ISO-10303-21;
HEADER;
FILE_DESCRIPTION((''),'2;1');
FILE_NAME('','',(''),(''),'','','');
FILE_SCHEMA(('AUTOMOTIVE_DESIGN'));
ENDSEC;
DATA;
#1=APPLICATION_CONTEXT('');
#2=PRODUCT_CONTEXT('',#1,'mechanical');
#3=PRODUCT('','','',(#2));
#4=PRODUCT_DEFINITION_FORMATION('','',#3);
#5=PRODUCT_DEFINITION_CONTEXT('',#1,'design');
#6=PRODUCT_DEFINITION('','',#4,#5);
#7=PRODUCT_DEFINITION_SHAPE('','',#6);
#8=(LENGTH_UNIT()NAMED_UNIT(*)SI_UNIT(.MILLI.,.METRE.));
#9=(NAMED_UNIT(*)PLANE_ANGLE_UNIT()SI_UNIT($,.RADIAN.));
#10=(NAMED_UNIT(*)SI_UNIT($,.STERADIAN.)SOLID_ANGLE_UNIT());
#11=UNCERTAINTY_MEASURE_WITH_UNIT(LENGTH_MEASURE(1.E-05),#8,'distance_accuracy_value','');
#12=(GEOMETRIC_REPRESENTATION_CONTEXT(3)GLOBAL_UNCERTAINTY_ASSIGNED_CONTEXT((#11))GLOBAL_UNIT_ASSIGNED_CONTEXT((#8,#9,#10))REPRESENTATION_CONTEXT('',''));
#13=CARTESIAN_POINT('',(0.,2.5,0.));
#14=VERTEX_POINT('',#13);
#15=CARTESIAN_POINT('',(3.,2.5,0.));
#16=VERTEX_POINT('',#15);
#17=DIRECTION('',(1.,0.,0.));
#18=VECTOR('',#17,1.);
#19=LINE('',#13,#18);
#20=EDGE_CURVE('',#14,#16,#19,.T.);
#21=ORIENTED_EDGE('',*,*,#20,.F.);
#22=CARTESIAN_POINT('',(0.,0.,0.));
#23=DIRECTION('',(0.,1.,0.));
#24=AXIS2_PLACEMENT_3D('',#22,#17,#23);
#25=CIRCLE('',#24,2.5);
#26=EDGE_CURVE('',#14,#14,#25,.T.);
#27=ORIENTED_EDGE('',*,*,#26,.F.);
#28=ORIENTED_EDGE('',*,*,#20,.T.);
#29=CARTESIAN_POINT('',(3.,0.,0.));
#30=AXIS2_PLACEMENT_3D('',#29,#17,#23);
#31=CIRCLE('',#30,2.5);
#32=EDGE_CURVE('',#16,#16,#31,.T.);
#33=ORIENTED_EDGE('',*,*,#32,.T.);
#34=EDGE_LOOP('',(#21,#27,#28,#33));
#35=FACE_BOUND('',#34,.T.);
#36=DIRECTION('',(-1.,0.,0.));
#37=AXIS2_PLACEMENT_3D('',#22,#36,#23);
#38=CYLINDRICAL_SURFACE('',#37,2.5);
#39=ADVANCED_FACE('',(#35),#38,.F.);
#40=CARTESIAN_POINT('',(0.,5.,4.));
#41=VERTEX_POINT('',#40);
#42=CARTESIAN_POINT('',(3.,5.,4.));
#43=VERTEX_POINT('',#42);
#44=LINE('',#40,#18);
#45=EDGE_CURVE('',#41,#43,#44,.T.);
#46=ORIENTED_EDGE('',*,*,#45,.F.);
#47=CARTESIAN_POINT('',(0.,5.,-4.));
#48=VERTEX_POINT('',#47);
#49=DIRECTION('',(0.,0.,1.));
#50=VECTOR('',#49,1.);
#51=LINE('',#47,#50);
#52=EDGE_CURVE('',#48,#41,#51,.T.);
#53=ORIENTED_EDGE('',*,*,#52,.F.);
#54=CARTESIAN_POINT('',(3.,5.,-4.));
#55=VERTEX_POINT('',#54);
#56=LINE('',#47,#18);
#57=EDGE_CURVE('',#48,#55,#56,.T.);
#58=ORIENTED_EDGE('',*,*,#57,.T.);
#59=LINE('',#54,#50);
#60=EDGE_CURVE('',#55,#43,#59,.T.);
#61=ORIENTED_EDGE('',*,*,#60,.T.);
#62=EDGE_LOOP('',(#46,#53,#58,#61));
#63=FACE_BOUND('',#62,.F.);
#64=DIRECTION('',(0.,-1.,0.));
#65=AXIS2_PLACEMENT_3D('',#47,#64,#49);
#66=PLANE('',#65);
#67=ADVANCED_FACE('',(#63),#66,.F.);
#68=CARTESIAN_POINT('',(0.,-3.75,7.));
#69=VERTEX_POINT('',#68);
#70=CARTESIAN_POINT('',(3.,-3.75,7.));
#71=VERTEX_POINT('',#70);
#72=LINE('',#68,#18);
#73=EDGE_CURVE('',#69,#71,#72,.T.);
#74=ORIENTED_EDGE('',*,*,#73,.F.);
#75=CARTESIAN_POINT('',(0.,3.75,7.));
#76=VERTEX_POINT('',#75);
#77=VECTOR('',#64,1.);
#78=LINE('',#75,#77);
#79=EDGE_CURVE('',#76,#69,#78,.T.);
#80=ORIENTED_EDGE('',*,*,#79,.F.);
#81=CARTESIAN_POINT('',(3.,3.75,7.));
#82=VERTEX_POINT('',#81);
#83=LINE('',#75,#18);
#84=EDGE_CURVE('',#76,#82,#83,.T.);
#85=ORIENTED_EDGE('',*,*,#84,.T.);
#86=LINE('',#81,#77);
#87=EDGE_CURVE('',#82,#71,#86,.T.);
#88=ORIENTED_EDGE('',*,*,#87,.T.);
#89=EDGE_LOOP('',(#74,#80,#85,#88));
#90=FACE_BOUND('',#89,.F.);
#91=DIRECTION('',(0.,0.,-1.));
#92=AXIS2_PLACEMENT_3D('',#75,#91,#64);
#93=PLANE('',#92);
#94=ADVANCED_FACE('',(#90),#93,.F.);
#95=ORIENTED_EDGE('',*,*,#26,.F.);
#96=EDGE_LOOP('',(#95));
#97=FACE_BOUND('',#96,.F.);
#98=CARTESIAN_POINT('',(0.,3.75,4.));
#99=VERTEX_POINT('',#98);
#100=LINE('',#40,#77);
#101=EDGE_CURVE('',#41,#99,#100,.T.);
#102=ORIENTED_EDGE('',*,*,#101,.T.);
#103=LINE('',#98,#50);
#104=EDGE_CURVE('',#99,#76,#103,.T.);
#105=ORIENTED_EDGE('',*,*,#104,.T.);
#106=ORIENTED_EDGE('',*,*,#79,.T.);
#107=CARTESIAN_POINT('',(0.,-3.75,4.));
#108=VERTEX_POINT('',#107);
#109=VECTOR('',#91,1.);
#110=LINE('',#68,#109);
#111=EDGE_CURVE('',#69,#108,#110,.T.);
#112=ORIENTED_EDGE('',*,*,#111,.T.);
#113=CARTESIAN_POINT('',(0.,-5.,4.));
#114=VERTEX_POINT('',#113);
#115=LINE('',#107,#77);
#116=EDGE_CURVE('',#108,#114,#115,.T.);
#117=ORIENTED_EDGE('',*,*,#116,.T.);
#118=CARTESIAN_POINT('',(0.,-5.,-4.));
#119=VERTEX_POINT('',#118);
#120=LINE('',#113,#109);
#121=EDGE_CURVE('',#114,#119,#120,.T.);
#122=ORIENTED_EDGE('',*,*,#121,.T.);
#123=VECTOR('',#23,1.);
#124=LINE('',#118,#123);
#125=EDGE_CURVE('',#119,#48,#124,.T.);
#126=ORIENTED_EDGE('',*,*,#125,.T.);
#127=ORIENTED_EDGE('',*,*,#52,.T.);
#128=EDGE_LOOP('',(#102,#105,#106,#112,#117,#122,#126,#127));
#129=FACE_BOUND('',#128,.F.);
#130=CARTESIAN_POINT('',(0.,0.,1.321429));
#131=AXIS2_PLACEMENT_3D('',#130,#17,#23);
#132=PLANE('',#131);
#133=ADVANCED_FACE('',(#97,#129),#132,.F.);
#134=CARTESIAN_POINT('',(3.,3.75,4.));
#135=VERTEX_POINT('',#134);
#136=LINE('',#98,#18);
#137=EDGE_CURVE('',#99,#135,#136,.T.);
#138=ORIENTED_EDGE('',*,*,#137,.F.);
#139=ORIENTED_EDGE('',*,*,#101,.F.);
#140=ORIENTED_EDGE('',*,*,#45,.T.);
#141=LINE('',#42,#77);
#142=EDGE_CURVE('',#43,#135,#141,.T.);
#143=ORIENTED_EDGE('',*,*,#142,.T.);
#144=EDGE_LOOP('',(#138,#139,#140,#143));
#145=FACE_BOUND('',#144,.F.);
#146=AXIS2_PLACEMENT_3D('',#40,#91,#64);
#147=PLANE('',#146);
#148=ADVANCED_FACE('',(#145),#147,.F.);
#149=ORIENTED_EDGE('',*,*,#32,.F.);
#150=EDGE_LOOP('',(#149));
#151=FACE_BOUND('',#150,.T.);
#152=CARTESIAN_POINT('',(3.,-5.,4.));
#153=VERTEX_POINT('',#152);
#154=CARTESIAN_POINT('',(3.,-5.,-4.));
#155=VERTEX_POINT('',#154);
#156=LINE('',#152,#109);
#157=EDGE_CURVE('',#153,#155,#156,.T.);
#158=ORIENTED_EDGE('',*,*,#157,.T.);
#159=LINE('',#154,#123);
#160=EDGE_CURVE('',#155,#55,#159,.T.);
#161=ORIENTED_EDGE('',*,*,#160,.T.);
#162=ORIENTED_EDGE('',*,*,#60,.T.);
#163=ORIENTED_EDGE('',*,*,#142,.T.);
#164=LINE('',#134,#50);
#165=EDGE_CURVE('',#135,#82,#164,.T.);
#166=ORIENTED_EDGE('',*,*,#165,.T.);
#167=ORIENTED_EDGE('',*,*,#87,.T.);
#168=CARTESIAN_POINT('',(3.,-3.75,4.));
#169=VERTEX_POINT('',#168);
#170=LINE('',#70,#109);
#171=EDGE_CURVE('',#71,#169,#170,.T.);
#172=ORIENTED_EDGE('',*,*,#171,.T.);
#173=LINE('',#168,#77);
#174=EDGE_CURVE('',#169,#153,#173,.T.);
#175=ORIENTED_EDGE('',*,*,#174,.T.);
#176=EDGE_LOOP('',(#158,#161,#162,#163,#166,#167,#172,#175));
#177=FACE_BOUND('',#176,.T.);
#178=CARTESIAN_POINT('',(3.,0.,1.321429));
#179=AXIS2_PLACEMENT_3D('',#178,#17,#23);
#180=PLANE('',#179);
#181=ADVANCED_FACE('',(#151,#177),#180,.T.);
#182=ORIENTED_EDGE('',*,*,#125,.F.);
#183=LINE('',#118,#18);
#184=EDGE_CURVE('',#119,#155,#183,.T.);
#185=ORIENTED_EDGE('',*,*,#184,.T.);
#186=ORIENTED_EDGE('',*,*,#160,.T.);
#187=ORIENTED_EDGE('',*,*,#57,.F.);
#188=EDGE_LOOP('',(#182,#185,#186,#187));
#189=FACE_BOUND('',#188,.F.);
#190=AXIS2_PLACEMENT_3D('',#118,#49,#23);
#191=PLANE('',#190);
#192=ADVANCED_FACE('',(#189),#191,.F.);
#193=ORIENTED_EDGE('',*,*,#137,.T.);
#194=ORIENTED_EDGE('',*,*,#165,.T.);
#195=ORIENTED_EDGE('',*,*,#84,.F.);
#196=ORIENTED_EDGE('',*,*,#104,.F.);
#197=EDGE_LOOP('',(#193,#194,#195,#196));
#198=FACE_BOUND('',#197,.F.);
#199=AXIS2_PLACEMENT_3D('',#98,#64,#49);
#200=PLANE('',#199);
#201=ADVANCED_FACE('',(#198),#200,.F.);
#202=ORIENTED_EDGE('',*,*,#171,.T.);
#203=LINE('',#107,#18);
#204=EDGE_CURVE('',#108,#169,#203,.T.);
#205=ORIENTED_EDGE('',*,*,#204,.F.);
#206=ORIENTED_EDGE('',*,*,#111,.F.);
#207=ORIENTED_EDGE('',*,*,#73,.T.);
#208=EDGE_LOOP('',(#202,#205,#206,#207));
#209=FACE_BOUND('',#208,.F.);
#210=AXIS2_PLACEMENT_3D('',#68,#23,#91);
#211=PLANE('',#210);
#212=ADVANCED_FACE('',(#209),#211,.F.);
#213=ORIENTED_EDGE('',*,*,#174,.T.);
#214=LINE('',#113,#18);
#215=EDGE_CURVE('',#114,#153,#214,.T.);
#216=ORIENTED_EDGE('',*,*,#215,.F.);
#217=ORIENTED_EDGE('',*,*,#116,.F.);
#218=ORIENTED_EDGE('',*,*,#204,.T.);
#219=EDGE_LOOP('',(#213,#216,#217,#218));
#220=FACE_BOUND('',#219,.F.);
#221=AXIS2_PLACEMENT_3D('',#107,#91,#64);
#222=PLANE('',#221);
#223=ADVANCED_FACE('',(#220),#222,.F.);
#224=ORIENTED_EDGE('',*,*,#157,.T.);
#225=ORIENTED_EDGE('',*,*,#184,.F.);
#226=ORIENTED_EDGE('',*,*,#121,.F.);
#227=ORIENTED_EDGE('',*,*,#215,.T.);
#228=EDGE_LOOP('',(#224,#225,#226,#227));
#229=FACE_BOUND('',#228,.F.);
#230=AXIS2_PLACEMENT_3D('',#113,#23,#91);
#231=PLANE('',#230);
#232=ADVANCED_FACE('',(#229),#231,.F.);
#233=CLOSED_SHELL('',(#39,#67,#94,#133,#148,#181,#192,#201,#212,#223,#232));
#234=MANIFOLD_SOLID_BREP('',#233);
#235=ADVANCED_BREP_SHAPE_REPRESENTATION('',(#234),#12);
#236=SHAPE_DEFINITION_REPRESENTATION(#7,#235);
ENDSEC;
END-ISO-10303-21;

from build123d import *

# Parameters (mm, degrees)
F0_R     = 2.5
F1_DEPTH = 3


with BuildPart() as f1:
    # F0 (on Right) → F1 (new body)
    with BuildSketch(Plane.YZ):
        Polygon((-5, 4), (-5, -4), (5, -4), (5, 4), (3.75, 4), (3.75, 7), (-3.75, 7), (-3.75, 4), align=None)
        Circle(F0_R, mode=Mode.SUBTRACT)
    extrude(amount=F1_DEPTH)


solid = f1.part
